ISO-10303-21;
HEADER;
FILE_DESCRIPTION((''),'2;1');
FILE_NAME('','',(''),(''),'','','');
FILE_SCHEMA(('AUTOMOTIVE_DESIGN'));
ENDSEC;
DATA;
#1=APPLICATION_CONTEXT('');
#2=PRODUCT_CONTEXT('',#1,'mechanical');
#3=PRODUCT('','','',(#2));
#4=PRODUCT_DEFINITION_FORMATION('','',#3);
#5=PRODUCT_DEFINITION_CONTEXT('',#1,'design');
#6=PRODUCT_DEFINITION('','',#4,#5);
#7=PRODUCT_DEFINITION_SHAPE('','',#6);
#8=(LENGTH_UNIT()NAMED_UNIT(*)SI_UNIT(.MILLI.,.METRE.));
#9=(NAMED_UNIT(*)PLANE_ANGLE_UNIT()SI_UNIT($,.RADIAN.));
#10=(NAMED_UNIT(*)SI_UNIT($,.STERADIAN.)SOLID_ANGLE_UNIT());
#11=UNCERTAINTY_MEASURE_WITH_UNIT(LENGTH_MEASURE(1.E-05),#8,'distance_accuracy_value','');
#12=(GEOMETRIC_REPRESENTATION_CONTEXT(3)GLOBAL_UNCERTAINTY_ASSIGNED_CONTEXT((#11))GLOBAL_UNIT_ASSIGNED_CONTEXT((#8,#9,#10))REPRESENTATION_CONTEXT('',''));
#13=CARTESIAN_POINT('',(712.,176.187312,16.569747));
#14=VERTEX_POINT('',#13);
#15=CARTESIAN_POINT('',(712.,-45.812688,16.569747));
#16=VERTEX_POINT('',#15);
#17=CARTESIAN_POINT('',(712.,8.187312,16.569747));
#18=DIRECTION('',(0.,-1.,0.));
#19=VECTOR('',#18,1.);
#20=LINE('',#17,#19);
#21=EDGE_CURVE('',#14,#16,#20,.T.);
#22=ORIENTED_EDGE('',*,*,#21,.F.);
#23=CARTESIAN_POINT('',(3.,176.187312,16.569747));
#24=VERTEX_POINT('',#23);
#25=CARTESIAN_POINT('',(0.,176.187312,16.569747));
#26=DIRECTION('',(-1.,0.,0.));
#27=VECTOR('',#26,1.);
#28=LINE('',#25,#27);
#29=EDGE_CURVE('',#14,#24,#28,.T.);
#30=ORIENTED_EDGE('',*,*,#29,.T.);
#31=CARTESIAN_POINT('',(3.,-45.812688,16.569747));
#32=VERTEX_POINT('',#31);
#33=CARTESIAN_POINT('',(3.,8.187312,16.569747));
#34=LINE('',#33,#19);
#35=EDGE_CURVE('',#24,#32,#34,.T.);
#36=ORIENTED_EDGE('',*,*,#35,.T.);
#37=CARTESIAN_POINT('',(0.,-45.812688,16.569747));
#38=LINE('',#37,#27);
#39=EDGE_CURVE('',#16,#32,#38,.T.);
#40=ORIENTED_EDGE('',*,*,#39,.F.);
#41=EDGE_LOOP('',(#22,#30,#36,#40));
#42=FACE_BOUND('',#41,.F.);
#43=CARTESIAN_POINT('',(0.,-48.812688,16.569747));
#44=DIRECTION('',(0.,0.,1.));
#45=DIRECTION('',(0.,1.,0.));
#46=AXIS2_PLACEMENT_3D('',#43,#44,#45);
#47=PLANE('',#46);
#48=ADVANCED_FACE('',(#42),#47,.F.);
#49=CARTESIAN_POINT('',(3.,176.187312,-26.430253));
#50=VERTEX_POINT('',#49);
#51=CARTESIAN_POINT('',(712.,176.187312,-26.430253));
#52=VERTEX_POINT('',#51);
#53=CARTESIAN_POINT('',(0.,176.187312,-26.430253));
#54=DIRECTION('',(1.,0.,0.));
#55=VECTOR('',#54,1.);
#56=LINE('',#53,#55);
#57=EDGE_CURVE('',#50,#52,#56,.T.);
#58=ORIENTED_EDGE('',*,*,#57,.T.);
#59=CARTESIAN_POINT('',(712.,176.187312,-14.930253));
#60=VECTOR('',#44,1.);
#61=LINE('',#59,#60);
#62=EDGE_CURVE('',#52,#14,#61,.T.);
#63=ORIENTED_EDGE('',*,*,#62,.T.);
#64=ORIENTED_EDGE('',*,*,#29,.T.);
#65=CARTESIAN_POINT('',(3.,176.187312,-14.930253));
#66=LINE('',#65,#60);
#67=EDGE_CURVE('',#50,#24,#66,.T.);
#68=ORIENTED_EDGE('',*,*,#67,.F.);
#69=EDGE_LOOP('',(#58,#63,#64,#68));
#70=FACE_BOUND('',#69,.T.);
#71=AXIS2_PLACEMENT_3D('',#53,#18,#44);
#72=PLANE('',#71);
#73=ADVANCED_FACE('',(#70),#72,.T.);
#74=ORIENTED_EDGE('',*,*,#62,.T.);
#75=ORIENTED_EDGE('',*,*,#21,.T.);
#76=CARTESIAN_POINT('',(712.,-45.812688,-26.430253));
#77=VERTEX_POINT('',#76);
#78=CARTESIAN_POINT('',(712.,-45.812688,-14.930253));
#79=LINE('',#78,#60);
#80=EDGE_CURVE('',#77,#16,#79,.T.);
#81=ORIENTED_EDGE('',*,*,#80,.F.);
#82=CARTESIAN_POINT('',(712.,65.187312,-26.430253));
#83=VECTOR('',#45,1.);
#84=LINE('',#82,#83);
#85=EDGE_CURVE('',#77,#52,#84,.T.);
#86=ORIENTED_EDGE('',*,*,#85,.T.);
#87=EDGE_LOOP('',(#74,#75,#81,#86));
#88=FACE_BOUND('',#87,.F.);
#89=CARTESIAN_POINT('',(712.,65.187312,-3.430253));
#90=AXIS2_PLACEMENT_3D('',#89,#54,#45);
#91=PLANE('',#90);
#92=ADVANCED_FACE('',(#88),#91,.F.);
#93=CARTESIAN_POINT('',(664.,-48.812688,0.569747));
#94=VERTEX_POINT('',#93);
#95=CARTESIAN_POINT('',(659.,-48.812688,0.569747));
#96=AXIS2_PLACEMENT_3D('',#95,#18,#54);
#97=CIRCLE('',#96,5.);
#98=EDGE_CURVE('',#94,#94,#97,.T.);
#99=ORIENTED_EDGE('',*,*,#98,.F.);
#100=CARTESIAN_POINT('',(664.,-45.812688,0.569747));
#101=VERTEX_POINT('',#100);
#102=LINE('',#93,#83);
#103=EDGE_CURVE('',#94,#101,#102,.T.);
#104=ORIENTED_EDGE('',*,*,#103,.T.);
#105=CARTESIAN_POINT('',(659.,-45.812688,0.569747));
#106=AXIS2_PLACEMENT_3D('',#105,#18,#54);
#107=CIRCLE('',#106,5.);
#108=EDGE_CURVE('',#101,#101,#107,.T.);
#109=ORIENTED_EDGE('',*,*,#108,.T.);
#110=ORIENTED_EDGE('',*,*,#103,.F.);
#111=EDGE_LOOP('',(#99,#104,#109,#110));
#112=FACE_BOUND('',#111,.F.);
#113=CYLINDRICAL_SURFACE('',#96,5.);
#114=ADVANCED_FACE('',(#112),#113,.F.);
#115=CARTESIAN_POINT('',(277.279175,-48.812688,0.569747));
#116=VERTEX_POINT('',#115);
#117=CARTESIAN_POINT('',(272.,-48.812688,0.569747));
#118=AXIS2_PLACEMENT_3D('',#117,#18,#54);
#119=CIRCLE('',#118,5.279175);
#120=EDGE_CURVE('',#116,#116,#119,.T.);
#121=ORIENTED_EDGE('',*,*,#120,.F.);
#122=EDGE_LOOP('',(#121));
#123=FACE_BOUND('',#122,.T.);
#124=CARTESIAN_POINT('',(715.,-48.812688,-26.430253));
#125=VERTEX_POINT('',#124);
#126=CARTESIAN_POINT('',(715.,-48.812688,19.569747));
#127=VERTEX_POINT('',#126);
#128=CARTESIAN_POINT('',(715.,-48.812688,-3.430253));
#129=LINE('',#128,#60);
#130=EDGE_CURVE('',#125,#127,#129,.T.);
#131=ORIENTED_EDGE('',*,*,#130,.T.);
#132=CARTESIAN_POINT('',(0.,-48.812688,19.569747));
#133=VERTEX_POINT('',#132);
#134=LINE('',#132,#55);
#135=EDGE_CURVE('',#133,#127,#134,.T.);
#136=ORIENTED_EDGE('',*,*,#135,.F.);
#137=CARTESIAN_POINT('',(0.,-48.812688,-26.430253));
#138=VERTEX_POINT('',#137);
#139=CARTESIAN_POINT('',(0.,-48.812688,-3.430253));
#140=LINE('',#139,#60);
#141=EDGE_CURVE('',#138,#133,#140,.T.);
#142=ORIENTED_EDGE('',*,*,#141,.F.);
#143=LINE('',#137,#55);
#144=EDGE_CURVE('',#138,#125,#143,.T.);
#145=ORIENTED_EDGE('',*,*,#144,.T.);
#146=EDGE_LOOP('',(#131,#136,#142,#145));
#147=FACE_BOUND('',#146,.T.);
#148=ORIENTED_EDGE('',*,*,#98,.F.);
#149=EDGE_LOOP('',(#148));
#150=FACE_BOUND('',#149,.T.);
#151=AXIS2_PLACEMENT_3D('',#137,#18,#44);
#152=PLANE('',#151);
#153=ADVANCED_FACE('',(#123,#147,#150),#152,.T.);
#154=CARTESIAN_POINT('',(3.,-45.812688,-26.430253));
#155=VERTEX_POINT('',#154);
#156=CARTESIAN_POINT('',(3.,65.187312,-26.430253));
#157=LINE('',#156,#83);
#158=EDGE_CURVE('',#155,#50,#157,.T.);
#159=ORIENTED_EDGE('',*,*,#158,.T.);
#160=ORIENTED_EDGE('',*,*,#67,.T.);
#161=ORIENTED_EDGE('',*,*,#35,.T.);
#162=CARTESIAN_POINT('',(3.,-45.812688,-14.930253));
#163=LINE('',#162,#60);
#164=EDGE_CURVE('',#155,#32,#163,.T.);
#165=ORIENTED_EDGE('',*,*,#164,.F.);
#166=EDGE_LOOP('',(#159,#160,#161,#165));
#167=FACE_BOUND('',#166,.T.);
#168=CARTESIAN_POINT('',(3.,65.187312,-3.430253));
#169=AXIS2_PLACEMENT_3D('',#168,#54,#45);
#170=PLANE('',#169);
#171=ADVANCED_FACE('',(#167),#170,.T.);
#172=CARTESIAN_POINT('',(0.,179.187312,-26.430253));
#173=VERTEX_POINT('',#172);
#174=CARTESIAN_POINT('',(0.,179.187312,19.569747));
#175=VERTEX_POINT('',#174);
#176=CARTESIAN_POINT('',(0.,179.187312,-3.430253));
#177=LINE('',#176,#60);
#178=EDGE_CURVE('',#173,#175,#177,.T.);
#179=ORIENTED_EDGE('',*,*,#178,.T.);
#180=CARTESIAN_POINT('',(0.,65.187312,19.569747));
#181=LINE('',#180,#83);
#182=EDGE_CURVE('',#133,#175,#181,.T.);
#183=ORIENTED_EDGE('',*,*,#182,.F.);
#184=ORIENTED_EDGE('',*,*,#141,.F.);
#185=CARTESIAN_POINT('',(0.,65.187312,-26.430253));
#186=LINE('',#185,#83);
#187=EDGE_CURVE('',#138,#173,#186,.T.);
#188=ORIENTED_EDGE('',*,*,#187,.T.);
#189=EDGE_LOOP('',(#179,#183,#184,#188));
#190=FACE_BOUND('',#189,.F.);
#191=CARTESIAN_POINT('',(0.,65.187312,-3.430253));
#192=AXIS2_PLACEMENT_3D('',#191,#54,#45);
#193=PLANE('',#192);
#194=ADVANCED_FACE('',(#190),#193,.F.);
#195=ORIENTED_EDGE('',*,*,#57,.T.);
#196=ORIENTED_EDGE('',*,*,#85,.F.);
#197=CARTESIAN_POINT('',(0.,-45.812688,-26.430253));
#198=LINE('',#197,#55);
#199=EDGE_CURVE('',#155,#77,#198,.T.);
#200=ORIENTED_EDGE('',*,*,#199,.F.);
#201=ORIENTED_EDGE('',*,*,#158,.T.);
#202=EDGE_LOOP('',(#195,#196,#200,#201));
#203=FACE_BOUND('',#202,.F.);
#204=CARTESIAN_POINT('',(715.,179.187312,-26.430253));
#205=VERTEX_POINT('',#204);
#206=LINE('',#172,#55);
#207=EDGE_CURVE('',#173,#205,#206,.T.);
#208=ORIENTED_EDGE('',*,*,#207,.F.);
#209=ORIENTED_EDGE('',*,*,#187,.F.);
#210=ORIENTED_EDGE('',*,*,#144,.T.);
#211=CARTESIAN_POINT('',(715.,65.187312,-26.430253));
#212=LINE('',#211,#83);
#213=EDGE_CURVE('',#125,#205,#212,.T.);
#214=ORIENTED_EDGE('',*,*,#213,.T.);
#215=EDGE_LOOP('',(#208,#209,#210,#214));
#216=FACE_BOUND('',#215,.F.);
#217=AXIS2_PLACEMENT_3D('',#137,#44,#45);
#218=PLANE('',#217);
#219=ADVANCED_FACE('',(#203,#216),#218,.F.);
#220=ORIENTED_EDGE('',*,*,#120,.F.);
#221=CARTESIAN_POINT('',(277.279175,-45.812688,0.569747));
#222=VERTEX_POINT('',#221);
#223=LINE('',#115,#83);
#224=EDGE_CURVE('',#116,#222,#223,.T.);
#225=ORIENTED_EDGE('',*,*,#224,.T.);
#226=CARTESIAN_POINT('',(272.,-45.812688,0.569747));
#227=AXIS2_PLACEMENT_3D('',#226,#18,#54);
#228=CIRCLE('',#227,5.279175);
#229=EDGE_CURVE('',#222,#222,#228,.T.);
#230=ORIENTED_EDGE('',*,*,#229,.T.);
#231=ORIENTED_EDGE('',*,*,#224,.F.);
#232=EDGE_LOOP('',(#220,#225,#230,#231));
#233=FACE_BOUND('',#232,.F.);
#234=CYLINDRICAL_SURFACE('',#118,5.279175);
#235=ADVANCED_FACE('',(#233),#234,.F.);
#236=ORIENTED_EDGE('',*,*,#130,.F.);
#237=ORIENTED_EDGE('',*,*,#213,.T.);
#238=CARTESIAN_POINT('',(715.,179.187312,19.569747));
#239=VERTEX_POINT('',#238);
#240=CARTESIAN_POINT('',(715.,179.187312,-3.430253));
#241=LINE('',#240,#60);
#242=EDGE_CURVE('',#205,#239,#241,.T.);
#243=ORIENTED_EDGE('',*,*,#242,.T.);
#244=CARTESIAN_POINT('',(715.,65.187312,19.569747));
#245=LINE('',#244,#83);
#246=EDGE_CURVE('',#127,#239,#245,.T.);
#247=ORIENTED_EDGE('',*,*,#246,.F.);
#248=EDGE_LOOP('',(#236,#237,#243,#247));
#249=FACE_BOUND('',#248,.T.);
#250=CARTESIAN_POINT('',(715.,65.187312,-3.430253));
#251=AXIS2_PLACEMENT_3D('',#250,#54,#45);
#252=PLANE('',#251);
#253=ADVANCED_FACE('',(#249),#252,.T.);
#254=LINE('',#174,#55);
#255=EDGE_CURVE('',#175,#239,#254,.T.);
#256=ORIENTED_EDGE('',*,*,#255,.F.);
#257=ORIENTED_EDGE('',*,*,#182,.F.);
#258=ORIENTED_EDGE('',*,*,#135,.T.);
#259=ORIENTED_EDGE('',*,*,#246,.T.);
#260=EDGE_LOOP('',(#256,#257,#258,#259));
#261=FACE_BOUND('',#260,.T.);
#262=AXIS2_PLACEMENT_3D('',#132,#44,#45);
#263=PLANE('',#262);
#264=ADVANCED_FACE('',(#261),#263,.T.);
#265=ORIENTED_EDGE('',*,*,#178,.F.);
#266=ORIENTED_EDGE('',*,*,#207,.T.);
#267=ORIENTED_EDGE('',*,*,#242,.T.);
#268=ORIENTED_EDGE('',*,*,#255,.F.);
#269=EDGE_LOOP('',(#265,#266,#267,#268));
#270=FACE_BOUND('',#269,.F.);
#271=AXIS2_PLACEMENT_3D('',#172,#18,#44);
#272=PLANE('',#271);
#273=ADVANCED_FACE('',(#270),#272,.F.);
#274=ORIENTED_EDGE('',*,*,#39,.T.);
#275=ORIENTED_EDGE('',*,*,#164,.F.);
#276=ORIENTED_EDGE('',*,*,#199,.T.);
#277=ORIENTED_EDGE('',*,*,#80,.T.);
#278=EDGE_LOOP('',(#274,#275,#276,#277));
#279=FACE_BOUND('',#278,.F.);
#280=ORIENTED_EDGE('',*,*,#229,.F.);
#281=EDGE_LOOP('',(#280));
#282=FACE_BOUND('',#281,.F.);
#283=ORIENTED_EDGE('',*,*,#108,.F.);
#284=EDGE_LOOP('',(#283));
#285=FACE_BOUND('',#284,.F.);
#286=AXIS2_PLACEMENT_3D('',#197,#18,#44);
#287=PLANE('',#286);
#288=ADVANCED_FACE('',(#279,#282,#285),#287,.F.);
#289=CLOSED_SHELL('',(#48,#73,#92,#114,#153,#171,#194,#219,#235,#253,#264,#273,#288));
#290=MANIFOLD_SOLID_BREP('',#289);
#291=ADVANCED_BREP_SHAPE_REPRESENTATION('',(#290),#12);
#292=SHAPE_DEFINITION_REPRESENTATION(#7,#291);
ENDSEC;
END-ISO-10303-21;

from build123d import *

# Parameters (mm, degrees)
F0_W     = 228
F0_H     = 46
F1_DEPTH = 715
F2_T     = -3
F3_R     = 5
F3_R_2   = 5.279175
F4_DEPTH = 3


with BuildPart() as f1:
    # F0 (on Right) → F1 (new body)
    with BuildSketch(Plane.YZ):
        with Locations((65.187312, -3.430253)):
            Rectangle(F0_W, F0_H)
    extrude(amount=F1_DEPTH)

    # F2
    f2_openings = [f1.faces().sort_by_distance(p)[0] for p in [
        (357.5, 65.187312, -26.430253),
    ]]
    offset(amount=F2_T, openings=f2_openings)

    # F3 (on face) → F4 (cut)
    with BuildSketch(Plane.XZ.offset(48.812688)):
        with Locations((659, 0.569747)):
            Circle(F3_R)
        with Locations((272, 0.569747)):
            Circle(F3_R_2)
    extrude(amount=-F4_DEPTH, mode=Mode.SUBTRACT)


solid = f1.part
